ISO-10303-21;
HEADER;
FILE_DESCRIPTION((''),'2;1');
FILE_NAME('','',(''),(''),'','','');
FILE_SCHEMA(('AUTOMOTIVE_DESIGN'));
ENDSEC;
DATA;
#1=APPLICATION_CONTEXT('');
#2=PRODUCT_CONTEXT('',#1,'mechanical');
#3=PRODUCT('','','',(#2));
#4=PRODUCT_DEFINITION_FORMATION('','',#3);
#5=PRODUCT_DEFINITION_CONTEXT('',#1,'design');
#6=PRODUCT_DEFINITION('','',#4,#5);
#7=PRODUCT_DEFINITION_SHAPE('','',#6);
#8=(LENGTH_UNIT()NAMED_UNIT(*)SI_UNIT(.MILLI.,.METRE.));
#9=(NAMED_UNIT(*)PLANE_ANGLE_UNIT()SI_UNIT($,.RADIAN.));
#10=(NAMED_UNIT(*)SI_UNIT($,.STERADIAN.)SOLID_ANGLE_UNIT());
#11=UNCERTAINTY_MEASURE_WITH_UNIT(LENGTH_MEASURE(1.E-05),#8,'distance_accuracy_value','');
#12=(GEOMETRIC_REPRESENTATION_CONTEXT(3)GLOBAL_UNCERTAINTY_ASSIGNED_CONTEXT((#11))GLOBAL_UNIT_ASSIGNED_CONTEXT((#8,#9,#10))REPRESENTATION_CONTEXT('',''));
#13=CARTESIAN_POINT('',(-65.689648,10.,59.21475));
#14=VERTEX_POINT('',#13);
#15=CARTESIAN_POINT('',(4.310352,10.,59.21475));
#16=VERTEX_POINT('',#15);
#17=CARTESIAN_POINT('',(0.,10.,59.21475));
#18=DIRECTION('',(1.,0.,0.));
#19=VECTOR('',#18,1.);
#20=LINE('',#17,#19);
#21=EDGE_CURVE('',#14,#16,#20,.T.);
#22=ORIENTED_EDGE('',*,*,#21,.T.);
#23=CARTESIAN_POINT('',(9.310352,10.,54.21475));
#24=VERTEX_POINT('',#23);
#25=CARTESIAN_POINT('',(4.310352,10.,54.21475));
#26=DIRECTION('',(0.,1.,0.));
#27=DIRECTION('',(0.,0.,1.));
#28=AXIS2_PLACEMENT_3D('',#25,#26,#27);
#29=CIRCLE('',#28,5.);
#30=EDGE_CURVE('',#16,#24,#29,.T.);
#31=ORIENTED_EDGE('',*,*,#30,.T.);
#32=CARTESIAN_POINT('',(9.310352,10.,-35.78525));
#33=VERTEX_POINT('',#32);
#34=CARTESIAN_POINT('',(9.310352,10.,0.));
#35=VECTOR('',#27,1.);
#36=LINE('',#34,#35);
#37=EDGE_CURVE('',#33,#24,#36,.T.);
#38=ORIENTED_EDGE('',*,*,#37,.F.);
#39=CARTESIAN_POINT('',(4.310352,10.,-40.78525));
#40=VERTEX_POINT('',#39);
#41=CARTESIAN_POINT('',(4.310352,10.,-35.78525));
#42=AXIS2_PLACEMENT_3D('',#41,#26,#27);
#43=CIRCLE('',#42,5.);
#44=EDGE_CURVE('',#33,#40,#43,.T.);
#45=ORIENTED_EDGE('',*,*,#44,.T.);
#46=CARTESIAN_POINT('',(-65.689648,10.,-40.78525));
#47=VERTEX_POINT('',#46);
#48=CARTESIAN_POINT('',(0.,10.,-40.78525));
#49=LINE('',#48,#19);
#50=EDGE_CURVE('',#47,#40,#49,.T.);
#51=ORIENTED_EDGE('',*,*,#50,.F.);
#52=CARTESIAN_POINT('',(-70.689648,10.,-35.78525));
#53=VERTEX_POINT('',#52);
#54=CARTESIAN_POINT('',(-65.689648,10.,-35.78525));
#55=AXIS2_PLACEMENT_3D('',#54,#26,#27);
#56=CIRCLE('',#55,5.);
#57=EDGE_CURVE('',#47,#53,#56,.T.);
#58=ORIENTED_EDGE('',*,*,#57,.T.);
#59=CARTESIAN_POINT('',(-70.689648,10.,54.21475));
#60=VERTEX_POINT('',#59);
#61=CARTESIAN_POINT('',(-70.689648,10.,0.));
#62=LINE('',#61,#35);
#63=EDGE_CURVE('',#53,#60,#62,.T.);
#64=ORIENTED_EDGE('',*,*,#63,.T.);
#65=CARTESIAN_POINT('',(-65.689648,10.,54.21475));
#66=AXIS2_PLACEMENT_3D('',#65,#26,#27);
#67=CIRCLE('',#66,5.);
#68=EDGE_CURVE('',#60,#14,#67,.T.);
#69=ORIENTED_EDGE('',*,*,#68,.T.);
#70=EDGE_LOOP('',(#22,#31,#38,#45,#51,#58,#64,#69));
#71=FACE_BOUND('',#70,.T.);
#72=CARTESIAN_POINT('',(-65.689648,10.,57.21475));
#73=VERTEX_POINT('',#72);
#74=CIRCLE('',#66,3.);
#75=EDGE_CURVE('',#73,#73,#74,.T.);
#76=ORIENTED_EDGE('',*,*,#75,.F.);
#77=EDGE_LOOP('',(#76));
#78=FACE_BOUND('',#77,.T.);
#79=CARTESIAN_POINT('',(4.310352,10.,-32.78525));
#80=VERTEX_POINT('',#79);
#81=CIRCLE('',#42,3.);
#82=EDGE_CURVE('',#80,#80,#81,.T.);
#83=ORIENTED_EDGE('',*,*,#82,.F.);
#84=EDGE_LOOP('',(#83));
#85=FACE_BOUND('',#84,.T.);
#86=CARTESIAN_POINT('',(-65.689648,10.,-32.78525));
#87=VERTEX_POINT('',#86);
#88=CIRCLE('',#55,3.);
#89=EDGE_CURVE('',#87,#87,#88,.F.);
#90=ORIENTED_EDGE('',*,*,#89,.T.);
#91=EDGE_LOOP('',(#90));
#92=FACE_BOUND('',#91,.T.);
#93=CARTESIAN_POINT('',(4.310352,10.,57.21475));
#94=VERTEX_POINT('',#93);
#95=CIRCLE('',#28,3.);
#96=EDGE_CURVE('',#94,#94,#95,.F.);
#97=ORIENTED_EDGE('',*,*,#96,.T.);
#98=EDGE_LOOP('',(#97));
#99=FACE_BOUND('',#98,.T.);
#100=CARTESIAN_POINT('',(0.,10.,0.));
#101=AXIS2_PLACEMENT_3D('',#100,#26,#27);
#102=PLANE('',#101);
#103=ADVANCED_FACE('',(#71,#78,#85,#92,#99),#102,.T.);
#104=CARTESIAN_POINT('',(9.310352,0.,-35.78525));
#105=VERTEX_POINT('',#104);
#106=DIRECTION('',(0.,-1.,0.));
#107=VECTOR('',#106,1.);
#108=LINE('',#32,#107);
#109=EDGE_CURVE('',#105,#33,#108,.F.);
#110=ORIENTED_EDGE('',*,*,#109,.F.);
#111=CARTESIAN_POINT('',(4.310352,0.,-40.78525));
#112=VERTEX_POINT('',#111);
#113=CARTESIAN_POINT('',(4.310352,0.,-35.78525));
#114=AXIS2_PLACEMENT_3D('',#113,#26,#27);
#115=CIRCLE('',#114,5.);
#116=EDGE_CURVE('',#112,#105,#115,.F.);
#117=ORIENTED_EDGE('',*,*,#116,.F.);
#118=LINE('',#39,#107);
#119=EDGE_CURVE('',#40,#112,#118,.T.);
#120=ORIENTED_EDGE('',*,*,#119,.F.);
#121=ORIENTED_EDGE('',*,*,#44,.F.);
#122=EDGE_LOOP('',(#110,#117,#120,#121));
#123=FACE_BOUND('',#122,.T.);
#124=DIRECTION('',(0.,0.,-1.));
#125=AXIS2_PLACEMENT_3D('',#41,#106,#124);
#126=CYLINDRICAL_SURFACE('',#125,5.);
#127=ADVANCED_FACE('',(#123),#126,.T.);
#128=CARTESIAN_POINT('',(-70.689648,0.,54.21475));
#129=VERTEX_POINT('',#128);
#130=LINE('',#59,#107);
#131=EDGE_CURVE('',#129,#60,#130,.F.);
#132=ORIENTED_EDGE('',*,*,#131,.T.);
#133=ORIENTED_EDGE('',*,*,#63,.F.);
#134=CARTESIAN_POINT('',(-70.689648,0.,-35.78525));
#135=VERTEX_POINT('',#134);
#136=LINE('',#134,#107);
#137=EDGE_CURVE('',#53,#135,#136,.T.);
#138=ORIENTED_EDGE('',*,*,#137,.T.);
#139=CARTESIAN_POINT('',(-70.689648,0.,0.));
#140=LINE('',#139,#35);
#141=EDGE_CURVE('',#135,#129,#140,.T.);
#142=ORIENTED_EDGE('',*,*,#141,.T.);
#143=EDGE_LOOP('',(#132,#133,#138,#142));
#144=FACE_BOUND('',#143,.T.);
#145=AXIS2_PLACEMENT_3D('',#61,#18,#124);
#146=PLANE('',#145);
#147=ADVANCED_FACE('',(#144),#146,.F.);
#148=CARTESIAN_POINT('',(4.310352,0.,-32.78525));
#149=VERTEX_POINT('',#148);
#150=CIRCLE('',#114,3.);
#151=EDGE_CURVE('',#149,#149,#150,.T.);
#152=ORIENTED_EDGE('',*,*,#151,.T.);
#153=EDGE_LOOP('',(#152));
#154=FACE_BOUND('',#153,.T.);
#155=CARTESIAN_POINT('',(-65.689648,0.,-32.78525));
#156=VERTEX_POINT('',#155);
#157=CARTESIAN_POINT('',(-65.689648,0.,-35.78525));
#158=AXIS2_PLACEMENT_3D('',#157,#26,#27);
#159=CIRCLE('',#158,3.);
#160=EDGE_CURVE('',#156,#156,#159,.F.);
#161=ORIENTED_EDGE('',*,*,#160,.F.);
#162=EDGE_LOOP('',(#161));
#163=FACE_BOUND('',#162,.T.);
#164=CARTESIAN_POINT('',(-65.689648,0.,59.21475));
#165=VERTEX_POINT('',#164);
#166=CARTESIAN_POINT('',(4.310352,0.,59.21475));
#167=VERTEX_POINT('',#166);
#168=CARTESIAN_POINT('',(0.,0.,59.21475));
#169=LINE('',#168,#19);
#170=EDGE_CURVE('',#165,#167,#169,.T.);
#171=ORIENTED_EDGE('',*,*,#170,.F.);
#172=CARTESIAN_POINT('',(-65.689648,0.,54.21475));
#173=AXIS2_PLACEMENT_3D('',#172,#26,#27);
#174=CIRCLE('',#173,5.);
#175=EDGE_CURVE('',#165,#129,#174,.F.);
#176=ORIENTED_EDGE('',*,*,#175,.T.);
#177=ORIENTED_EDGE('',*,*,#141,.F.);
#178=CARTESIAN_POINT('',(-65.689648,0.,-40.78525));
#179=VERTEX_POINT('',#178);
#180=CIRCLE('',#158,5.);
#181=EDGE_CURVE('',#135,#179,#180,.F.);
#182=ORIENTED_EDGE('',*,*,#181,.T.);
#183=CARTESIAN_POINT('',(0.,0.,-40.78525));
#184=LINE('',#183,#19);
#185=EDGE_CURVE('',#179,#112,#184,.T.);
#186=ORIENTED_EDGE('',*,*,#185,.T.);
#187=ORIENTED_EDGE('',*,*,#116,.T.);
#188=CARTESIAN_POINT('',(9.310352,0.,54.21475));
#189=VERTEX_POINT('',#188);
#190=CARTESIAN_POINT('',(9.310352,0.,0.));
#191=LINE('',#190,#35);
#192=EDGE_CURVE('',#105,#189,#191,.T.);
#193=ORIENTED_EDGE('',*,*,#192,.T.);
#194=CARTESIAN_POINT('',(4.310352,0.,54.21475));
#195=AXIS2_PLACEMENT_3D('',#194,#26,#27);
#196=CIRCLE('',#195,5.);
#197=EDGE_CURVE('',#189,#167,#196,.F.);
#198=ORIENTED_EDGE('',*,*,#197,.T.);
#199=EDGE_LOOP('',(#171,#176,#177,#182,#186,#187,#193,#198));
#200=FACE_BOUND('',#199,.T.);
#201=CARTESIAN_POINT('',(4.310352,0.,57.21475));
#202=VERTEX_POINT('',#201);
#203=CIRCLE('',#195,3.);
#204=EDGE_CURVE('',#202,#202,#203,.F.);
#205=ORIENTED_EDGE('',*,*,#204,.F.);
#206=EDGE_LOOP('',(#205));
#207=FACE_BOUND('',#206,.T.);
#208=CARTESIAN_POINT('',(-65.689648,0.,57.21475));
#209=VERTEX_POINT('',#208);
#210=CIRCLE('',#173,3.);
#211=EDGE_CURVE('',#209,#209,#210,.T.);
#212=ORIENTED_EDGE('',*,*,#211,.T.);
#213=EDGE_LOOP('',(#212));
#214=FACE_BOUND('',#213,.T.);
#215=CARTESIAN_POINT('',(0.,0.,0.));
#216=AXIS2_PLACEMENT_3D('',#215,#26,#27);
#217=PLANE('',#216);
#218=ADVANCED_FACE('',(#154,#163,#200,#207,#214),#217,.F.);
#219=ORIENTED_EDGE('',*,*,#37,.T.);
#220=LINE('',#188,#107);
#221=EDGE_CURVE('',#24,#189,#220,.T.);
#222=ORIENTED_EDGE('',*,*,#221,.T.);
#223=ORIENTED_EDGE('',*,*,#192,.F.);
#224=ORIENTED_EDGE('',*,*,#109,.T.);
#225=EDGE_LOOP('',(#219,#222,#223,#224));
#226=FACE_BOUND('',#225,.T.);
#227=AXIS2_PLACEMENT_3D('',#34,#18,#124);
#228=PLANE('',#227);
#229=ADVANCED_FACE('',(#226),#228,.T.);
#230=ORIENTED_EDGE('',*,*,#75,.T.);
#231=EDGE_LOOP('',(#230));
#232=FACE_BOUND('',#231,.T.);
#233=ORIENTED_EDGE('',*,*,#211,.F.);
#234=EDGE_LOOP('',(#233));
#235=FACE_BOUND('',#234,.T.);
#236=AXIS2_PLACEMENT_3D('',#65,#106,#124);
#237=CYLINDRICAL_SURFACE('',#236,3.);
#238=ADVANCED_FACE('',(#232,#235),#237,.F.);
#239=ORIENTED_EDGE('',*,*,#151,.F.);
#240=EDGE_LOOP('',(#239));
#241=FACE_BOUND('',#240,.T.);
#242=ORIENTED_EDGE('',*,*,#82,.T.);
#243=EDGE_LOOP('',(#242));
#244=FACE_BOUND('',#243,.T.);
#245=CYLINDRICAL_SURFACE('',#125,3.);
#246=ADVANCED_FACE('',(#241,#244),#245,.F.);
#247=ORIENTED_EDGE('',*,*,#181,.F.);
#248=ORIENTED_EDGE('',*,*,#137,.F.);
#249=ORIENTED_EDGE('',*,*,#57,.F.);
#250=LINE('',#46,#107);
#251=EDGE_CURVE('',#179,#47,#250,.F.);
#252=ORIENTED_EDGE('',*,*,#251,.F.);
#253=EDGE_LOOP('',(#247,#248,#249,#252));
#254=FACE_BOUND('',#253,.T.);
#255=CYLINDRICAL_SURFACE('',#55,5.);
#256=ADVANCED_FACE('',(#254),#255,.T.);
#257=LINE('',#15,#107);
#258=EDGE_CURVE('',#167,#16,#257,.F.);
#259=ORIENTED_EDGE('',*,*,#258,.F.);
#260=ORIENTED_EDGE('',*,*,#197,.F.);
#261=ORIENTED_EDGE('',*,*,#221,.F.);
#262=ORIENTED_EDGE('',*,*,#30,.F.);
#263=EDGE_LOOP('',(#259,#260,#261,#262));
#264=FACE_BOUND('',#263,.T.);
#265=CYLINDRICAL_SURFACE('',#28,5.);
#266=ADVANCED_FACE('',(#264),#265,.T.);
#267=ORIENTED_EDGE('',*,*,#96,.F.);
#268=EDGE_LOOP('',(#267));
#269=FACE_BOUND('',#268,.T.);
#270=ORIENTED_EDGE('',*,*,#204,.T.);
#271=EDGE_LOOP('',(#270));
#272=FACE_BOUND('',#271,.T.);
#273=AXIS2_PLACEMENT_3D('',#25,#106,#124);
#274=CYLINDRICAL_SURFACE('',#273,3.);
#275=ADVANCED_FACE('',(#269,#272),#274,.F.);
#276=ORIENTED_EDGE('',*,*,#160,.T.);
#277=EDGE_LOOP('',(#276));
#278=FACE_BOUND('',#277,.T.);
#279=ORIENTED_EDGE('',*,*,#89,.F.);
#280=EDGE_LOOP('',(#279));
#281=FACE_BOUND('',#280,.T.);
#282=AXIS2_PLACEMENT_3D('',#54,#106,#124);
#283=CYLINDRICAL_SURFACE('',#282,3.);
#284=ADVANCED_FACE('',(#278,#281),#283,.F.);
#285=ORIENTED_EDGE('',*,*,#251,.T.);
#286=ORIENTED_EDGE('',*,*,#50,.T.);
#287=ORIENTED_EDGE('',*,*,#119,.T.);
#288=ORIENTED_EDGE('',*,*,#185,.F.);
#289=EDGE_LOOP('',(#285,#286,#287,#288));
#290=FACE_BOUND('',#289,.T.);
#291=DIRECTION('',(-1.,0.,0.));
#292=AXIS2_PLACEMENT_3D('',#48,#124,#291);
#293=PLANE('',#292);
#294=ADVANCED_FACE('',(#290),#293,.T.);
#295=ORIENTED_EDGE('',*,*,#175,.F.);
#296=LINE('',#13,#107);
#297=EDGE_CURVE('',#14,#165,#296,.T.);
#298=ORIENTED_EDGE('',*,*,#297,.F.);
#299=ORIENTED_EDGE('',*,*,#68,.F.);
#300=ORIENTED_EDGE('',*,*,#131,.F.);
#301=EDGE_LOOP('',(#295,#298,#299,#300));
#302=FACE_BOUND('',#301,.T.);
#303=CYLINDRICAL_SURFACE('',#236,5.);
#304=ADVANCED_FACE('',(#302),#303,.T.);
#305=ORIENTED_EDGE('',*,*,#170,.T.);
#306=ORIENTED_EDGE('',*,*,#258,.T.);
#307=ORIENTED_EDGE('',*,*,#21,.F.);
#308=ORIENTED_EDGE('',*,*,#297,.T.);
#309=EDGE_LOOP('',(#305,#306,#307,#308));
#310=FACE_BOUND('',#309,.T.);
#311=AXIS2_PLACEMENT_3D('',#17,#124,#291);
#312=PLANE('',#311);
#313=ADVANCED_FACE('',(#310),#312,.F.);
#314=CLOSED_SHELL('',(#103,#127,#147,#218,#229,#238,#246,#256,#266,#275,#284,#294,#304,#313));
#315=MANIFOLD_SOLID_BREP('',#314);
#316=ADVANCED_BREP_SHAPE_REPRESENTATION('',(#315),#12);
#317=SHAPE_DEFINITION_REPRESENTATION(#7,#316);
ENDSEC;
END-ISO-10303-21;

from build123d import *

# Parameters (mm, degrees)
SKETCH1_R           = 3
BOSS_EXTRUDE2_DEPTH = 10
FILLET1_R           = 5
FILLET2_R           = 5


with BuildPart() as part:
    # Sketch1 → Boss-Extrude2 (new body)
    # profile 1 of 2: a face of its own
    with BuildSketch(Plane(origin=(0, 0, 0), x_dir=(1, 0, 0), z_dir=(0, 1, 0))):
        with BuildLine():
            Line((9.310351883, 40.78525027), (-70.689648117, 40.78525027))
            Line((-70.689648117, 40.78525027), (-70.689648117, -54.21474973))
            Line((-70.689648117, -54.21474973), (-68.689648117, -54.21474973))
            ThreePointArc((-68.689648117, -54.21474973), (-65.689648117, -51.21474973), (-62.689648117, -54.21474973))
            ThreePointArc((-62.689648117, -54.21474973), (-63.568327773, -56.336070073), (-65.689648117, -57.21474973))
            Line((-65.689648117, -57.21474973), (-65.689648117, -59.21474973))
            Line((-65.689648117, -59.21474973), (9.310351883, -59.21474973))
            Line((9.310351883, -59.21474973), (9.310351883, 40.78525027))
        make_face()
        with Locations(Location((4.310351883, -54.21474973, 0), (0, 0, 270))):
            Circle(SKETCH1_R, mode=Mode.SUBTRACT)
        with Locations(Location((-65.689648117, 35.78525027, 0), (0, 0, 270))):
            Circle(SKETCH1_R, mode=Mode.SUBTRACT)
        with Locations(Location((4.310351883, 35.78525027, 0), (0, 0, 270))):
            Circle(SKETCH1_R, mode=Mode.SUBTRACT)
    # profile 2 of 2: a face of its own
    with BuildSketch(Plane(origin=(0, 0, 0), x_dir=(1, 0, 0), z_dir=(0, 1, 0))):
        with BuildLine():
            Line((-68.689648117, -54.21474973), (-70.689648117, -54.21474973))
            Line((-70.689648117, -54.21474973), (-70.689648117, -59.21474973))
            Line((-70.689648117, -59.21474973), (-65.689648117, -59.21474973))
            Line((-65.689648117, -59.21474973), (-65.689648117, -57.21474973))
            ThreePointArc((-65.689648117, -57.21474973), (-67.81096846, -56.336070073), (-68.689648117, -54.21474973))
        make_face()
    extrude(amount=BOSS_EXTRUDE2_DEPTH)

    # Fillet1
    fillet1_edges = [part.edges().sort_by_distance(p)[0] for p in [
        (-70.689648117, 5, 59.21474973),
    ]]
    fillet(fillet1_edges, radius=FILLET1_R)

    # Fillet2
    fillet2_edges = [part.edges().sort_by_distance(p)[0] for p in [
        (-70.689648117, 5, -40.78525027),
        (9.310351883, 5, -40.78525027),
        (9.310351883, 5, 59.21474973),
    ]]
    fillet(fillet2_edges, radius=FILLET2_R)


solid = part.part
